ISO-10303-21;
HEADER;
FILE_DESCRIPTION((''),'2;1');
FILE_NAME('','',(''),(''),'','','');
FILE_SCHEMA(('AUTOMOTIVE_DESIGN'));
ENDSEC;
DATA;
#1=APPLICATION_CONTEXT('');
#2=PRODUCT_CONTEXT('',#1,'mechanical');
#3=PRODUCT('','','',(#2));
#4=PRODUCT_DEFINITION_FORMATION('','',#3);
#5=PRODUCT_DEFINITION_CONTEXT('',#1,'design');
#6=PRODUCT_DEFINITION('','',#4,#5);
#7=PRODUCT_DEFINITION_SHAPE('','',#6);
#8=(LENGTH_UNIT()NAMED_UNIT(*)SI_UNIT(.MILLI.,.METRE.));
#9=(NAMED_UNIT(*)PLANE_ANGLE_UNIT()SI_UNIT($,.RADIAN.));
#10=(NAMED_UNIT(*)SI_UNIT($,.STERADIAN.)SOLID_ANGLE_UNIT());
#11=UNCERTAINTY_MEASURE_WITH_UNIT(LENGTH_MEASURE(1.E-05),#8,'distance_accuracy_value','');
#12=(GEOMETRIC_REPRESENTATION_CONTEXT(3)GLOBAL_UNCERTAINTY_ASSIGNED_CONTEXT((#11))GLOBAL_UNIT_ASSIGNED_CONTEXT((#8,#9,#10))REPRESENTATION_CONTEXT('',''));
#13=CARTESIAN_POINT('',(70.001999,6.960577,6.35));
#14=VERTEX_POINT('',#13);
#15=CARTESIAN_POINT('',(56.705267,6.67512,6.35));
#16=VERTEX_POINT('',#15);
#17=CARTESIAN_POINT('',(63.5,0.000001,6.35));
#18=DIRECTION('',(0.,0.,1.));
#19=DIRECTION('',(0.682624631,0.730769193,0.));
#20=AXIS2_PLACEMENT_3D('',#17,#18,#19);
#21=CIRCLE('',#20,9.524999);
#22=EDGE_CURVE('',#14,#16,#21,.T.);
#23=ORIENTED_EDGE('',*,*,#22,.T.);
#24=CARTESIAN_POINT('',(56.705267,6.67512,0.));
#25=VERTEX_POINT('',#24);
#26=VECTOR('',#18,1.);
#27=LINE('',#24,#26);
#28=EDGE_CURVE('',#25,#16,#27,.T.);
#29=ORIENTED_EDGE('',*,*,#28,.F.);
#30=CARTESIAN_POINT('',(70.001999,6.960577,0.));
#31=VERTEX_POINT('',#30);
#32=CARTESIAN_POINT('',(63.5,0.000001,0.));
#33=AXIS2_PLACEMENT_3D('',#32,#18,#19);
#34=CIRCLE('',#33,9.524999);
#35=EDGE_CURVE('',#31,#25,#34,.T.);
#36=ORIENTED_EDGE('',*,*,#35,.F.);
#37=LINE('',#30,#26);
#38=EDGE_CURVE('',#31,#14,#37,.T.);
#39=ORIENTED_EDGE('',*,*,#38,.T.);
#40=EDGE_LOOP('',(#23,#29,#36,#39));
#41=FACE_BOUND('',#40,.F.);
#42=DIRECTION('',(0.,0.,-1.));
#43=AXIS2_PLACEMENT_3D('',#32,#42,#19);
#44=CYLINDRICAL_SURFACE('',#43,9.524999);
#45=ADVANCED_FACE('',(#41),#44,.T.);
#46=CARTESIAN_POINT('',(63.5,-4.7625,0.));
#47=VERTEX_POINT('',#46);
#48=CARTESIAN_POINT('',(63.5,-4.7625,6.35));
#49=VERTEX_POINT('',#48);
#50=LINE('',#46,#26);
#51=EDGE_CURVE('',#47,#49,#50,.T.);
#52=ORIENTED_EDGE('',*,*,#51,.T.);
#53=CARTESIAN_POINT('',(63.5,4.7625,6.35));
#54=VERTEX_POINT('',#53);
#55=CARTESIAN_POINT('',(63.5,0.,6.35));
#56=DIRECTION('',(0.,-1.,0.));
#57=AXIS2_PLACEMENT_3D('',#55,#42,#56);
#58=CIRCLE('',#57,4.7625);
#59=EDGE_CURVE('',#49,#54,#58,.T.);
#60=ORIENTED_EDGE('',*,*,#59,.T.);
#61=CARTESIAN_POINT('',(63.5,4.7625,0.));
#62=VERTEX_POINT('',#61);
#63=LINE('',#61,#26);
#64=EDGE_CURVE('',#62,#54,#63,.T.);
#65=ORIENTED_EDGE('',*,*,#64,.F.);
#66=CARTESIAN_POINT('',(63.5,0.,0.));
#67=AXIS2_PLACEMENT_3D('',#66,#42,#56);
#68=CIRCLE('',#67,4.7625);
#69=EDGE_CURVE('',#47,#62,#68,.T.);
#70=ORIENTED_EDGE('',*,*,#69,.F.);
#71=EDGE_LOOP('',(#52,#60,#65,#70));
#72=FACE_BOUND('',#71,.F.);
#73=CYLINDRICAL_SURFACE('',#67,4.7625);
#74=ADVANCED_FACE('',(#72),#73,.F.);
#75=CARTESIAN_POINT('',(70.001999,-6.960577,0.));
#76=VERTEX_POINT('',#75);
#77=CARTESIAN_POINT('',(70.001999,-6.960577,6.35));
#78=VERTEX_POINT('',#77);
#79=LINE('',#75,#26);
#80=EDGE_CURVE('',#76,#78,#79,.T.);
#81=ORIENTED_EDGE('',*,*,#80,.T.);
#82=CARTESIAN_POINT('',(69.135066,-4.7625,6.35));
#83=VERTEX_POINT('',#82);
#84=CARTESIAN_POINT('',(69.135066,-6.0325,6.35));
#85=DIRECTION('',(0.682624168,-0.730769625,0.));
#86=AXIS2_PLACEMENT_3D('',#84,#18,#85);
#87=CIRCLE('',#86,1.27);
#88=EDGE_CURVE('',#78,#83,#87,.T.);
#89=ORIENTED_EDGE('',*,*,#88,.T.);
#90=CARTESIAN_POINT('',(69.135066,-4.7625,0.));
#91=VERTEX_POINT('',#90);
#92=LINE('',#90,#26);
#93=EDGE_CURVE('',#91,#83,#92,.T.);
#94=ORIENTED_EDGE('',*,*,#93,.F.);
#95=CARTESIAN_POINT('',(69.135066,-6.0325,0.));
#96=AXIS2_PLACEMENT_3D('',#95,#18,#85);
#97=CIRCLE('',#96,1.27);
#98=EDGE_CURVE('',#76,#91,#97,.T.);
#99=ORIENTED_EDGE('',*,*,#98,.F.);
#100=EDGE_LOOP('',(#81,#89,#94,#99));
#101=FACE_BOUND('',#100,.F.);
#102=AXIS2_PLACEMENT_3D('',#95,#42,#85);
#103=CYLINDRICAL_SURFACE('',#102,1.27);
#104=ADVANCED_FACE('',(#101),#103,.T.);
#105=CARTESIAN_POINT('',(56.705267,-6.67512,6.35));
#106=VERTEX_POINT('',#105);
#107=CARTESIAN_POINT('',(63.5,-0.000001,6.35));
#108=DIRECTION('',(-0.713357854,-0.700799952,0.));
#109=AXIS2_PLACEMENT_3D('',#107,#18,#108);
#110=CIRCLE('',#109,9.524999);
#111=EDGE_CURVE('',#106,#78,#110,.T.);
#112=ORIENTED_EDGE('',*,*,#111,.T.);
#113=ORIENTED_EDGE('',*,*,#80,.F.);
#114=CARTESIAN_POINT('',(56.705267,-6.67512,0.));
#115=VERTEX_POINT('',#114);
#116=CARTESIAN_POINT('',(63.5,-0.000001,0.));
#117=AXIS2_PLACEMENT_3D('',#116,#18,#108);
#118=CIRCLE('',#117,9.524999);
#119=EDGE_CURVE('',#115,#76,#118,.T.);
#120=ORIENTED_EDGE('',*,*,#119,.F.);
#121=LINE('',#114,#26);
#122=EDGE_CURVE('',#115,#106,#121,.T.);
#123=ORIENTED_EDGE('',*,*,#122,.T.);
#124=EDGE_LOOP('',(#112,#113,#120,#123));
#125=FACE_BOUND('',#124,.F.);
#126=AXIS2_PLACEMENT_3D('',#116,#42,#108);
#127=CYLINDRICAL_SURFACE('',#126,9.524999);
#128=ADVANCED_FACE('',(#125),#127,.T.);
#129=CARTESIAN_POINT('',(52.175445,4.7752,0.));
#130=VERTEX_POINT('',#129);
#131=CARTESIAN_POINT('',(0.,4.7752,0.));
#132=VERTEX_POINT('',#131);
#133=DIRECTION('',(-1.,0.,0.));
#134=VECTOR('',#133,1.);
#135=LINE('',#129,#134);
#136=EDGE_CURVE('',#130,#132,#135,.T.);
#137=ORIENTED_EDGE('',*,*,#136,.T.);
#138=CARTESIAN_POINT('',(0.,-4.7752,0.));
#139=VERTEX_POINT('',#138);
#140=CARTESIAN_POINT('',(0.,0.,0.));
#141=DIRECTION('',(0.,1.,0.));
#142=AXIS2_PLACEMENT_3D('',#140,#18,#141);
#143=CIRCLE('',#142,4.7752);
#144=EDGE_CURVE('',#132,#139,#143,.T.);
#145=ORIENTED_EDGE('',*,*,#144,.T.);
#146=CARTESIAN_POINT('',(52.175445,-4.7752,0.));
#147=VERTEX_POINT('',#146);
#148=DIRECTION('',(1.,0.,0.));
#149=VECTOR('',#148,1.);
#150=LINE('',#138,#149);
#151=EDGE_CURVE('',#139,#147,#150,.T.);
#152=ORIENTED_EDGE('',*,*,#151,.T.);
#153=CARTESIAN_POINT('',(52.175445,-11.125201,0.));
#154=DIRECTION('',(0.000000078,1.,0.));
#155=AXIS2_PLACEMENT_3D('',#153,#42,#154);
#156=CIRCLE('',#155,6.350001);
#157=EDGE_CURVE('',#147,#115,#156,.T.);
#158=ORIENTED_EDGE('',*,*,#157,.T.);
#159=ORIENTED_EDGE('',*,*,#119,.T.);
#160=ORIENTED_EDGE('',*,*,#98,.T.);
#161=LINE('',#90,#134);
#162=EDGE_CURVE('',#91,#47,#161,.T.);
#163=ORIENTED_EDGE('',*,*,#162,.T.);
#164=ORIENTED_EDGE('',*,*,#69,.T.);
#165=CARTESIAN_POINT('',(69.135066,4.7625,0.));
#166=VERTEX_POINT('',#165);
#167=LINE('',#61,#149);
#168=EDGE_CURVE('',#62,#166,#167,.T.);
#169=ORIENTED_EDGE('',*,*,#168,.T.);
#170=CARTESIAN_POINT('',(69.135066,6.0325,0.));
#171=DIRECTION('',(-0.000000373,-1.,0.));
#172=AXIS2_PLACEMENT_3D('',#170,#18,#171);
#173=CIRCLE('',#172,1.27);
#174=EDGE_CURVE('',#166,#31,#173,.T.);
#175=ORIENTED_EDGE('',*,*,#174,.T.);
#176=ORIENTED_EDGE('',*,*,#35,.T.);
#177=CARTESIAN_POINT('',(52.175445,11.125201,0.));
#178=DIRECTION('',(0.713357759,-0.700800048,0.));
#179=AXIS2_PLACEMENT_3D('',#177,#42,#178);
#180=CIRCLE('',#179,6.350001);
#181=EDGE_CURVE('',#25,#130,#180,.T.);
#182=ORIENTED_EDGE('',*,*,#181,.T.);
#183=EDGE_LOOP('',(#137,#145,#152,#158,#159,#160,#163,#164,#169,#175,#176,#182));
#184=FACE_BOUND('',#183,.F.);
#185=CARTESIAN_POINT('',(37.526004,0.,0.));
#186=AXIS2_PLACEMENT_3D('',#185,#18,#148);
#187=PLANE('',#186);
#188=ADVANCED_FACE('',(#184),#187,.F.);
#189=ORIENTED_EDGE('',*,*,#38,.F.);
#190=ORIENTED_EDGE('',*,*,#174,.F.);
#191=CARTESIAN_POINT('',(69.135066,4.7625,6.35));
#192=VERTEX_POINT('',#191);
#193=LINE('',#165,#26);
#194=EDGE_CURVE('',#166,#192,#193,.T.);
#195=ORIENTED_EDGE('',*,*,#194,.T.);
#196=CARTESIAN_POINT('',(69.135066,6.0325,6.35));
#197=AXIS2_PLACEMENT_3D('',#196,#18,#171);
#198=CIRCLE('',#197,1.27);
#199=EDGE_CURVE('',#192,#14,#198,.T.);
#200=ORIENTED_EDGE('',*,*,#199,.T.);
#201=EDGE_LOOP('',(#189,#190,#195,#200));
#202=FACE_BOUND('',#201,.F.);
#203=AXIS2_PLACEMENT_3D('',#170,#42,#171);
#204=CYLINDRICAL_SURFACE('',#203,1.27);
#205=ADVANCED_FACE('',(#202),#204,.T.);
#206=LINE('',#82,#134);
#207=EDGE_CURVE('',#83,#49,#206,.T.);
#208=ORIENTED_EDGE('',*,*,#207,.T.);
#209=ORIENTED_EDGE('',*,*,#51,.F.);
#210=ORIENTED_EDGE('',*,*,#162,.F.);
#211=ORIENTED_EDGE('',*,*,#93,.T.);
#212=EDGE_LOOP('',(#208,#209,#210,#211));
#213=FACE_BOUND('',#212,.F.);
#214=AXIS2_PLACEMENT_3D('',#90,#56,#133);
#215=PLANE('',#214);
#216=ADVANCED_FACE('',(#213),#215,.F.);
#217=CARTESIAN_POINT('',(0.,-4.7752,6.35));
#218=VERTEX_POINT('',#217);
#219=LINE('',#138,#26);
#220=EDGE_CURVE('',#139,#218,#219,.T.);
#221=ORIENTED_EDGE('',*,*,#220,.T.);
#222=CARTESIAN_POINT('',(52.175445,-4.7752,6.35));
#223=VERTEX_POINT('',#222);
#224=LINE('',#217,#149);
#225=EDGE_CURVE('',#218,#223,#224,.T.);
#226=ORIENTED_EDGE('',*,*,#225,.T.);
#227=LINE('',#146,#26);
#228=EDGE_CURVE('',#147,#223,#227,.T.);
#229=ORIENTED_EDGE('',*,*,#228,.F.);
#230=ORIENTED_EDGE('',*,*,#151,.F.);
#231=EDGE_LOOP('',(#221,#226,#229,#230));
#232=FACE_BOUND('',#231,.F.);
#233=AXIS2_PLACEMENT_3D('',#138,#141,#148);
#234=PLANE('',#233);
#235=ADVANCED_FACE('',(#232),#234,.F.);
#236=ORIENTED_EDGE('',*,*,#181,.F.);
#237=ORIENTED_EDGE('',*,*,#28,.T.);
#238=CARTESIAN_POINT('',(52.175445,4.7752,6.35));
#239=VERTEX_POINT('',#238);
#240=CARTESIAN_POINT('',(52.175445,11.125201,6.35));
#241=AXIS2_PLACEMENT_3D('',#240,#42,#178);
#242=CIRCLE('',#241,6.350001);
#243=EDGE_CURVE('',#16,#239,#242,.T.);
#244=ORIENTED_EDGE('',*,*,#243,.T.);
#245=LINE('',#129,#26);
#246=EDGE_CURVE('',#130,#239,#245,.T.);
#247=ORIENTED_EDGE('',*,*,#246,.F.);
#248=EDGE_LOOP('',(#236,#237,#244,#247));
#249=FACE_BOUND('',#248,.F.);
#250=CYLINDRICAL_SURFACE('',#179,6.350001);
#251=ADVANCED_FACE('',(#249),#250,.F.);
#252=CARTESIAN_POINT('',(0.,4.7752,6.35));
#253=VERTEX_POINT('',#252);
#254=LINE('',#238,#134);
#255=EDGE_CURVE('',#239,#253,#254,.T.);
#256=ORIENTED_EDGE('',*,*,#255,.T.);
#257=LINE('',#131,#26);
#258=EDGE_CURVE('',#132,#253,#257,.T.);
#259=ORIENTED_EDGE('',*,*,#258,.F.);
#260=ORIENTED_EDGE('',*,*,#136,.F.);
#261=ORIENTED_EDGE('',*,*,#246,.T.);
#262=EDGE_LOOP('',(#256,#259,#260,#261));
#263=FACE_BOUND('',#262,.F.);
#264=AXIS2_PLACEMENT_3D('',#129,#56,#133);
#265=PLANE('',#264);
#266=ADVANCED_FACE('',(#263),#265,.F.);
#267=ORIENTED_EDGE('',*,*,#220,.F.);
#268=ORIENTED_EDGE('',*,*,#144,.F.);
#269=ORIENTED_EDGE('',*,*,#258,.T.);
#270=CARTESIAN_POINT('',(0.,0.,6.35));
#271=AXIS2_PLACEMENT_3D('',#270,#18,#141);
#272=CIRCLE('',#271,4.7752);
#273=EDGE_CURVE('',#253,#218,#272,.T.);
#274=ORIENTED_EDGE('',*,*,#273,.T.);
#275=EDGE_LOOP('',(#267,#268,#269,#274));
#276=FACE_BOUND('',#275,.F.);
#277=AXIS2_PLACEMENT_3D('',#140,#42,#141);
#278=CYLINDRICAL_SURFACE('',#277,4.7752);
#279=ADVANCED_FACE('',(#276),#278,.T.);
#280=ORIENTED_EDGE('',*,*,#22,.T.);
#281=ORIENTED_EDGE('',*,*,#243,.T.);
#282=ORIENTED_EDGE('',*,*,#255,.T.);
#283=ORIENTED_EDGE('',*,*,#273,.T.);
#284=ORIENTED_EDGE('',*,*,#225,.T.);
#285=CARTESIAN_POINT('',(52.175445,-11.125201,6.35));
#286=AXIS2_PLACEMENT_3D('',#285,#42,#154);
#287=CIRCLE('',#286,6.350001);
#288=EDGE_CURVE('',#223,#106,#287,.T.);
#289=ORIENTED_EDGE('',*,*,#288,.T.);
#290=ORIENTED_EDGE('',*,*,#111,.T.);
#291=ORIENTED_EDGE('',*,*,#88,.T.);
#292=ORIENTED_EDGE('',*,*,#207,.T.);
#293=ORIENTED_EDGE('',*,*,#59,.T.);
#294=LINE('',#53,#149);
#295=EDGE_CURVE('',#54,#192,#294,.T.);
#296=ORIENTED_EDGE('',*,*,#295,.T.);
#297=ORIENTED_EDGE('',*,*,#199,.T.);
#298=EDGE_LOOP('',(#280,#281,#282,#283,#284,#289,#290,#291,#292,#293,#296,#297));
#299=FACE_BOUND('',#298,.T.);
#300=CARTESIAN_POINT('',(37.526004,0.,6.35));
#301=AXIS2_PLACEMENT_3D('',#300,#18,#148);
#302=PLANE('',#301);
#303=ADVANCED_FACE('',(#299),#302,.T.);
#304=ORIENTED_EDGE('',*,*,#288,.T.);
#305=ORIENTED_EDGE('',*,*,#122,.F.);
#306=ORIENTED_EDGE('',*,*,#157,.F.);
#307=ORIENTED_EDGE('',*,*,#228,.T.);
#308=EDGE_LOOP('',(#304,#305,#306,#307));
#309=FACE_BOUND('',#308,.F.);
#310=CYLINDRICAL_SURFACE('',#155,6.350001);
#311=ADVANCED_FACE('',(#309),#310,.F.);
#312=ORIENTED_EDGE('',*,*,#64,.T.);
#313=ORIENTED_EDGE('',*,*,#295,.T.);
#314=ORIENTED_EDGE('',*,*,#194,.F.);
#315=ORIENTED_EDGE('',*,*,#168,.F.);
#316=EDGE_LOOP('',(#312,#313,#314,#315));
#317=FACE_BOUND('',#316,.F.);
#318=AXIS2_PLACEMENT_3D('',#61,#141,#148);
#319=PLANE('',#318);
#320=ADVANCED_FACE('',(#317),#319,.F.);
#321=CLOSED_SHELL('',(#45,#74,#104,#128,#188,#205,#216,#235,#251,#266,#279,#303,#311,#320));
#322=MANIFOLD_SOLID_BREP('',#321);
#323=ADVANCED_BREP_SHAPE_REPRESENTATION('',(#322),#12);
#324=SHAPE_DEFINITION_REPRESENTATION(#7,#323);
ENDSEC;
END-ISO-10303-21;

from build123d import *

# Parameters (mm, degrees)
F1_DEPTH = 6.35


with BuildPart() as f1:
    # F0 (on Top) → F1 (new body)
    with BuildSketch(Plane.XY):
        with BuildLine():
            Line((52.175445, 4.7752), (0, 4.7752))
            ThreePointArc((0, 4.7752), (-4.7752, 0), (0, -4.7752))
            Line((0, -4.7752), (52.175445, -4.7752))
            ThreePointArc((52.175445, -4.7752), (54.631508, -5.269412), (56.705267, -6.67512))
            ThreePointArc((56.705267, -6.67512), (63.295562, -9.522806), (70.001999, -6.960577))
            ThreePointArc((70.001999, -6.960577), (70.316497, -5.566537), (69.135066, -4.7625))
            Line((69.135066, -4.7625), (63.5, -4.7625))
            ThreePointArc((63.5, -4.7625), (58.7375, 0), (63.5, 4.7625))
            Line((63.5, 4.7625), (69.135066, 4.7625))
            ThreePointArc((69.135066, 4.7625), (70.316497, 5.566537), (70.001999, 6.960577))
            ThreePointArc((70.001999, 6.960577), (63.295562, 9.522806), (56.705267, 6.67512))
            ThreePointArc((56.705267, 6.67512), (54.631508, 5.269412), (52.175445, 4.7752))
        make_face()
    extrude(amount=F1_DEPTH)


solid = f1.part
